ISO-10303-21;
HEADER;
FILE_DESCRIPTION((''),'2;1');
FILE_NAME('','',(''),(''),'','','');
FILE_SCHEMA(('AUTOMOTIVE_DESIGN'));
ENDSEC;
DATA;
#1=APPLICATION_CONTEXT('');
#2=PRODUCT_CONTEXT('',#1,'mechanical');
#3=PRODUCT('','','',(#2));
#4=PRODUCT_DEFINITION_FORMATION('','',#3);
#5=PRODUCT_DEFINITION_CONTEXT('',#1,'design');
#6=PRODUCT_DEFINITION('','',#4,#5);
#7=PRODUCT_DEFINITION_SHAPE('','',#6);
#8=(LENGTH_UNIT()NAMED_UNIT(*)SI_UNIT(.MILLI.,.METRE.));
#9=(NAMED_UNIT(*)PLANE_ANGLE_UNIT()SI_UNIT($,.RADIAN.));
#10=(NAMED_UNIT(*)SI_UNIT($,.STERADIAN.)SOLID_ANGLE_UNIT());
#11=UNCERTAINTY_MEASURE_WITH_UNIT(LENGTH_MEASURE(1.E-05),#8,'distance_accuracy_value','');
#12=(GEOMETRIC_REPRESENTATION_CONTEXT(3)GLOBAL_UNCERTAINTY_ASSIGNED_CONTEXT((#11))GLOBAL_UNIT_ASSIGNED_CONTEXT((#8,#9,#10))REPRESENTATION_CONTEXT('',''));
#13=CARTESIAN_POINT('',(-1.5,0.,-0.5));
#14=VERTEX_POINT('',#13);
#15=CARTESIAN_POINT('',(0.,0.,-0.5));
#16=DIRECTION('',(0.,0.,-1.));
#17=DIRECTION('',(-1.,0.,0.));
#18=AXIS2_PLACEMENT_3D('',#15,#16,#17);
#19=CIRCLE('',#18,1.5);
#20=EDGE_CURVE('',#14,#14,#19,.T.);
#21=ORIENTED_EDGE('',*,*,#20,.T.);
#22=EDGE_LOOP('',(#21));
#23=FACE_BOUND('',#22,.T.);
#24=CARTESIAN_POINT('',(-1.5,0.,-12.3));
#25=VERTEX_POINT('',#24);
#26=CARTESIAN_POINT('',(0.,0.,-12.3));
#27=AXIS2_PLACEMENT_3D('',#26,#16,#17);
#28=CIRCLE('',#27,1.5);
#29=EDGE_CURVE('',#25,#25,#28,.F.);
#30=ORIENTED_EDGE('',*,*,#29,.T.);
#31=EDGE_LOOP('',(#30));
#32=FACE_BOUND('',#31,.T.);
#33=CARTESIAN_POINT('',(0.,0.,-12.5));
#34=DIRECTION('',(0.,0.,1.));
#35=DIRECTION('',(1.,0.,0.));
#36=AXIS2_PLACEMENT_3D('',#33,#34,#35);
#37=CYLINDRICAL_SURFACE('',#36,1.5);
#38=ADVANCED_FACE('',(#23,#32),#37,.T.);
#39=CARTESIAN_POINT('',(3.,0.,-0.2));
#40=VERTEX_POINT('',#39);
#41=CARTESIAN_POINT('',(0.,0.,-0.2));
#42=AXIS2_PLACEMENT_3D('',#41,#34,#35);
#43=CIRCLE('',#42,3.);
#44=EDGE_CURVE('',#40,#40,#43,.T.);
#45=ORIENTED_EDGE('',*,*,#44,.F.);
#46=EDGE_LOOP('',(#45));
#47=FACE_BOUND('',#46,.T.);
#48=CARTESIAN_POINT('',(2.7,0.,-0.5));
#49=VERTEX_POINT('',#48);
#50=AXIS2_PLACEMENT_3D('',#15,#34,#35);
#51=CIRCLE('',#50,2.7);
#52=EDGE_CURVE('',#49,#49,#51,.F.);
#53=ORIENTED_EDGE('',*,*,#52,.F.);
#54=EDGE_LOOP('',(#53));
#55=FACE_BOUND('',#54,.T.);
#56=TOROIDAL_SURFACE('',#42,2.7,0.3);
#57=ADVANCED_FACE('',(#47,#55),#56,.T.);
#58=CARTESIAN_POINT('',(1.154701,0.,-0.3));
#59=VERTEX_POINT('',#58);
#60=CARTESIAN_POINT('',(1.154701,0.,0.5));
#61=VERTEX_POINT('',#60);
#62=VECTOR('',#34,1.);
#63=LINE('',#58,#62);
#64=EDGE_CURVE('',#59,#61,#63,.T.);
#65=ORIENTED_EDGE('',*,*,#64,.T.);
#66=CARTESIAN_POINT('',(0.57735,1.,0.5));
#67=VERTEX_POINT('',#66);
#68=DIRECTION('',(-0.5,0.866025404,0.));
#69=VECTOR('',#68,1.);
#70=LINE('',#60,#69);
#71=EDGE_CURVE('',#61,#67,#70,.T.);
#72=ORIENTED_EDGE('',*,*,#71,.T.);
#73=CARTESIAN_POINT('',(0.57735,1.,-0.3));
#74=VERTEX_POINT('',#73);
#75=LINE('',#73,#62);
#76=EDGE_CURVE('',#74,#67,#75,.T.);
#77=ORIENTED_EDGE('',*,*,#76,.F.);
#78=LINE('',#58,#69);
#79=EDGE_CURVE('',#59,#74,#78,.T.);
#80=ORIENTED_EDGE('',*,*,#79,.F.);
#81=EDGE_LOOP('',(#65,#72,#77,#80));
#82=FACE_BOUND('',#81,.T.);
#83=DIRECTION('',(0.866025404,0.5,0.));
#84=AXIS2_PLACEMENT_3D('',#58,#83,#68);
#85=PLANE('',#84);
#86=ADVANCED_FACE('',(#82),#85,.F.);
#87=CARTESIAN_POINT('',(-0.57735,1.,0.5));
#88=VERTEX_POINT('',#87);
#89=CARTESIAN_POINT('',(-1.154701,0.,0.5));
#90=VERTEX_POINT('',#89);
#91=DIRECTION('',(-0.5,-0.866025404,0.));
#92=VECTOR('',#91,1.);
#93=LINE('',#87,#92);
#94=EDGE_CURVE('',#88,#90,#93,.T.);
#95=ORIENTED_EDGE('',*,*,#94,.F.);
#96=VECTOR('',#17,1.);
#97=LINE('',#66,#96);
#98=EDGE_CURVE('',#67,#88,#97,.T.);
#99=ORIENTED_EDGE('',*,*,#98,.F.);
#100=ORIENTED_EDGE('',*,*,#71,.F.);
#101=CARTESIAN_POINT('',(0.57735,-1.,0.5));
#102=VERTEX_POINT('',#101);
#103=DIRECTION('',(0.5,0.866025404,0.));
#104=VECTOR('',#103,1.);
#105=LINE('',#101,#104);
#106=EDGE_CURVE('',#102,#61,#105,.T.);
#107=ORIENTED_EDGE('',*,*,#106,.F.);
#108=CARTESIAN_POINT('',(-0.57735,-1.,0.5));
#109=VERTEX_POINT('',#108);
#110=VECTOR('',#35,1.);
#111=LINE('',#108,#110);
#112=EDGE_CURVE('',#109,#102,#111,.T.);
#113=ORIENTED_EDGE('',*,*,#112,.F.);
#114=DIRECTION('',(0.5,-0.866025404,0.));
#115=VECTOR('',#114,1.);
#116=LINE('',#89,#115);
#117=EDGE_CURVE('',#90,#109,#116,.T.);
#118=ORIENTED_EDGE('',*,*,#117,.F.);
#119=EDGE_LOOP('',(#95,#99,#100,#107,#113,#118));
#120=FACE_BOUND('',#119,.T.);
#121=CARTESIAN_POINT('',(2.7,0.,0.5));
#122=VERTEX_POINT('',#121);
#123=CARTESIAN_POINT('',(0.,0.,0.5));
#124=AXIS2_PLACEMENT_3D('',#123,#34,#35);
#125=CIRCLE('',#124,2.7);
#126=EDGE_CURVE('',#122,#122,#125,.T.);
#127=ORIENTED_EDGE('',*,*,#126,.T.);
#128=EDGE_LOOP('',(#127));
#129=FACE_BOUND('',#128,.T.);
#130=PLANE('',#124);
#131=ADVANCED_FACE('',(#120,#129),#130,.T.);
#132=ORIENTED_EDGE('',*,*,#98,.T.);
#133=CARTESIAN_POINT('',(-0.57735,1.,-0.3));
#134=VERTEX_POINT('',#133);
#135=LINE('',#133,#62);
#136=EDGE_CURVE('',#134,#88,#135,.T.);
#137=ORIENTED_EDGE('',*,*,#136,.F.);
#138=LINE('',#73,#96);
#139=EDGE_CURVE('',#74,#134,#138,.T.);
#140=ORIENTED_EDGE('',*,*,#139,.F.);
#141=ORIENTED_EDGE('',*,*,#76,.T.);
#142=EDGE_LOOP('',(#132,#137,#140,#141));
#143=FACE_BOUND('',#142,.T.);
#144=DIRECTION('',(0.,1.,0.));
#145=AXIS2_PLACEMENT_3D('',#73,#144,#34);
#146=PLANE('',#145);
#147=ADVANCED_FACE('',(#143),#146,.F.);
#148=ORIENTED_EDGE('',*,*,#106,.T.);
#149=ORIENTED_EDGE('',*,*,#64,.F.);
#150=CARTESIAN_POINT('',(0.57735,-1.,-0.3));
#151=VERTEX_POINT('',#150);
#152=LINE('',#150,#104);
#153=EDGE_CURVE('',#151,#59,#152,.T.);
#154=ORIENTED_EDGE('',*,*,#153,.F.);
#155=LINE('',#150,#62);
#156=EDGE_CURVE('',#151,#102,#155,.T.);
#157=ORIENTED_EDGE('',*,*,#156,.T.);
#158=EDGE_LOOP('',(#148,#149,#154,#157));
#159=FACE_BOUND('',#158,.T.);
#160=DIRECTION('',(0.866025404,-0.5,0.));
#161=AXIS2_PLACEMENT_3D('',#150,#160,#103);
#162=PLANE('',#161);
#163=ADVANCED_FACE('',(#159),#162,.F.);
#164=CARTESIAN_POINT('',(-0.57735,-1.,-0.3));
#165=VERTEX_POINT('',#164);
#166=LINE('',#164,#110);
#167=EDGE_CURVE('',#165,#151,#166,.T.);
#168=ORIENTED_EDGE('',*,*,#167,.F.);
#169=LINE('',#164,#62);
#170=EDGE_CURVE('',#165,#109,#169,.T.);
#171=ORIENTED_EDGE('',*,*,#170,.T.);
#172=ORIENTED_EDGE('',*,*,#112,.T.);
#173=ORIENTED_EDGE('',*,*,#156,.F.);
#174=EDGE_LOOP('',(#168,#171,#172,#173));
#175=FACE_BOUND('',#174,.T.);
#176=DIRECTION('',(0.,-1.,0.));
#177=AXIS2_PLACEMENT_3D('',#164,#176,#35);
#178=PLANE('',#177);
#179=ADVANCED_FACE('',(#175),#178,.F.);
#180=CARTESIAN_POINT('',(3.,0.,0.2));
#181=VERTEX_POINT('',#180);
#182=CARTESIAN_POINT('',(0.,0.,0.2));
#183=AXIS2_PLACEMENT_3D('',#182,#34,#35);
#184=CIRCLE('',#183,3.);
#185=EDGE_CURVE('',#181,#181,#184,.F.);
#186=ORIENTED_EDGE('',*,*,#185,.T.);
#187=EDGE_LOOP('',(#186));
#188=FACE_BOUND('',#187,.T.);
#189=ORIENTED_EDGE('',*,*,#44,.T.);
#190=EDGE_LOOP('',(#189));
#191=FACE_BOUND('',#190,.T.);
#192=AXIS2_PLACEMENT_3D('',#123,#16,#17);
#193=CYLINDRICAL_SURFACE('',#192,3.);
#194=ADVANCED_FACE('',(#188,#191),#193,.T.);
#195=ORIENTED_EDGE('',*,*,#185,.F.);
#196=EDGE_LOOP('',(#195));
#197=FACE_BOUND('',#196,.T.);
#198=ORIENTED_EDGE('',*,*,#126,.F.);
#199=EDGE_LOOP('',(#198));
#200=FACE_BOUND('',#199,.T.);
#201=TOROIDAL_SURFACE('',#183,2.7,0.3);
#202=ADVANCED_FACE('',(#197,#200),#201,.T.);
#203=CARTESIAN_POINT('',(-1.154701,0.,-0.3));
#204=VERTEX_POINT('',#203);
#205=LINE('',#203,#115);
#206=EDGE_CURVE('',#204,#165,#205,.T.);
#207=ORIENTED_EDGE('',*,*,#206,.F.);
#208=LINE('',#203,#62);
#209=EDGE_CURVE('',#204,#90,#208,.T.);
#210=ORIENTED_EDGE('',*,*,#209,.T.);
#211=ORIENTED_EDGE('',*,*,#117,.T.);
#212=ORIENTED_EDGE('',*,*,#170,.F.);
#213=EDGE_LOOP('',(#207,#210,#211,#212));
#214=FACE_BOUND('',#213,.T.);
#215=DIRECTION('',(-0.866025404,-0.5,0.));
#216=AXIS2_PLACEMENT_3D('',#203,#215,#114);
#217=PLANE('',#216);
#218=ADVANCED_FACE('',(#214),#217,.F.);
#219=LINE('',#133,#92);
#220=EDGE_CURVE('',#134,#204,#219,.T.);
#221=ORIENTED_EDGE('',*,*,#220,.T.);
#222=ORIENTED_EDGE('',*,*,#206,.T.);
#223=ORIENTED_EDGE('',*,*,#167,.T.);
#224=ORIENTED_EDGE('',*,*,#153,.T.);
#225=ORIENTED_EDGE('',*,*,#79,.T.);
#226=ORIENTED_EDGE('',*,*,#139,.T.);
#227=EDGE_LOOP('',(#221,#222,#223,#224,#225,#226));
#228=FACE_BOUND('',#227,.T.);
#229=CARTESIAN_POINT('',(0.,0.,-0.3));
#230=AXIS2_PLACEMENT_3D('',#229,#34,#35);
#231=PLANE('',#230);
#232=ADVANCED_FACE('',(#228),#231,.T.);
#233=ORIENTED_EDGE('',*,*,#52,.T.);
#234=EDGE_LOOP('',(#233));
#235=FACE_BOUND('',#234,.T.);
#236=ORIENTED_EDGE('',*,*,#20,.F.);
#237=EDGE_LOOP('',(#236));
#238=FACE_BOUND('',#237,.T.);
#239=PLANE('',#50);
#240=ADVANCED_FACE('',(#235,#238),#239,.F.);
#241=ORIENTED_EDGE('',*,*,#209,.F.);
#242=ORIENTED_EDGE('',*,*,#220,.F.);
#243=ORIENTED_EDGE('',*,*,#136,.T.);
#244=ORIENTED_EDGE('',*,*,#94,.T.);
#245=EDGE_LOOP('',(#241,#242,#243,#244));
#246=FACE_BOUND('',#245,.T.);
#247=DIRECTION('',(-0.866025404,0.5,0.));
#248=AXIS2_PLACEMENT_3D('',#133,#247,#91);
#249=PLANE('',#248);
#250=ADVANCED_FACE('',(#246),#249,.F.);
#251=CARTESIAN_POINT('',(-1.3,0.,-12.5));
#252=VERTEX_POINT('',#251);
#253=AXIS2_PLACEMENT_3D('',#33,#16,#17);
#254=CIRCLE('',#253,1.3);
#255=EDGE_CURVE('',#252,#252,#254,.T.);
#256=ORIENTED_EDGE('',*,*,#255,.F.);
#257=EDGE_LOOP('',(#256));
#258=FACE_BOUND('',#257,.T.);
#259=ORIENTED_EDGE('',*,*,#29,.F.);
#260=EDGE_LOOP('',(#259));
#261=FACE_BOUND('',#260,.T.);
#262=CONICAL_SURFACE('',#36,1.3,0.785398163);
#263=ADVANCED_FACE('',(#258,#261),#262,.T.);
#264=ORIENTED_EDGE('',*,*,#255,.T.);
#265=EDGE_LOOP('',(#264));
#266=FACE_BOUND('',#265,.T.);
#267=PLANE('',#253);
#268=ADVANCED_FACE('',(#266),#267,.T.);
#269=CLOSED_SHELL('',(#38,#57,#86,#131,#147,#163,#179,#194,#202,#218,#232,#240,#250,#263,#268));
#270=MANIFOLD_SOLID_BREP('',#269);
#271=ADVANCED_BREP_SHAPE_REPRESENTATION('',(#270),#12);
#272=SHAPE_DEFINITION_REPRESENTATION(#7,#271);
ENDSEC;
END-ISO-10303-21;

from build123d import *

# Parameters (mm, degrees)
SKETCH_1_R          = 3
EXTRUDE_1_DEPTH     = 0.5
SKETCH_2_R          = 1.5
EXTRUDE_2_DEPTH     = 12
CHAMFER_1_SIZE      = 0.2
CUT_EXTRUDE_1_DEPTH = 0.8
FILLET_2_R          = 0.3


with BuildPart() as part:
    # 草图1 → 凸台-拉伸1 (new body, symmetric)
    with BuildSketch(Plane.XY):
        Circle(SKETCH_1_R)
    extrude(amount=EXTRUDE_1_DEPTH, both=True)

    # 草图2 → 凸台-拉伸2 (add)
    with BuildSketch(Plane(origin=(0, 0, -0.5), x_dir=(-1, 0, 0), z_dir=(0, 0, -1))):
        Circle(SKETCH_2_R)
    extrude(amount=EXTRUDE_2_DEPTH)

    # 倒角1
    chamfer_1_edges = [part.edges().sort_by_distance(p)[0] for p in [
        (1.5, 0, -12.5),
    ]]
    chamfer(chamfer_1_edges, length=CHAMFER_1_SIZE)

    # 草图3 → 切除-拉伸1 (cut)
    with BuildSketch(Plane.XY.offset(0.5)):
        Polygon((1.154700538, 0), (0.577350269, 1), (-0.577350269, 1), (-1.154700538, 0), (-0.577350269, -1), (0.577350269, -1), align=None)
    extrude(amount=-CUT_EXTRUDE_1_DEPTH, mode=Mode.SUBTRACT)

    # 圆角2
    fillet_2_edges = [part.edges().sort_by_distance(p)[0] for p in [
        (-3, 0, -0.5),
        (-3, 0, 0.5),
    ]]
    fillet(fillet_2_edges, radius=FILLET_2_R)


solid = part.part
